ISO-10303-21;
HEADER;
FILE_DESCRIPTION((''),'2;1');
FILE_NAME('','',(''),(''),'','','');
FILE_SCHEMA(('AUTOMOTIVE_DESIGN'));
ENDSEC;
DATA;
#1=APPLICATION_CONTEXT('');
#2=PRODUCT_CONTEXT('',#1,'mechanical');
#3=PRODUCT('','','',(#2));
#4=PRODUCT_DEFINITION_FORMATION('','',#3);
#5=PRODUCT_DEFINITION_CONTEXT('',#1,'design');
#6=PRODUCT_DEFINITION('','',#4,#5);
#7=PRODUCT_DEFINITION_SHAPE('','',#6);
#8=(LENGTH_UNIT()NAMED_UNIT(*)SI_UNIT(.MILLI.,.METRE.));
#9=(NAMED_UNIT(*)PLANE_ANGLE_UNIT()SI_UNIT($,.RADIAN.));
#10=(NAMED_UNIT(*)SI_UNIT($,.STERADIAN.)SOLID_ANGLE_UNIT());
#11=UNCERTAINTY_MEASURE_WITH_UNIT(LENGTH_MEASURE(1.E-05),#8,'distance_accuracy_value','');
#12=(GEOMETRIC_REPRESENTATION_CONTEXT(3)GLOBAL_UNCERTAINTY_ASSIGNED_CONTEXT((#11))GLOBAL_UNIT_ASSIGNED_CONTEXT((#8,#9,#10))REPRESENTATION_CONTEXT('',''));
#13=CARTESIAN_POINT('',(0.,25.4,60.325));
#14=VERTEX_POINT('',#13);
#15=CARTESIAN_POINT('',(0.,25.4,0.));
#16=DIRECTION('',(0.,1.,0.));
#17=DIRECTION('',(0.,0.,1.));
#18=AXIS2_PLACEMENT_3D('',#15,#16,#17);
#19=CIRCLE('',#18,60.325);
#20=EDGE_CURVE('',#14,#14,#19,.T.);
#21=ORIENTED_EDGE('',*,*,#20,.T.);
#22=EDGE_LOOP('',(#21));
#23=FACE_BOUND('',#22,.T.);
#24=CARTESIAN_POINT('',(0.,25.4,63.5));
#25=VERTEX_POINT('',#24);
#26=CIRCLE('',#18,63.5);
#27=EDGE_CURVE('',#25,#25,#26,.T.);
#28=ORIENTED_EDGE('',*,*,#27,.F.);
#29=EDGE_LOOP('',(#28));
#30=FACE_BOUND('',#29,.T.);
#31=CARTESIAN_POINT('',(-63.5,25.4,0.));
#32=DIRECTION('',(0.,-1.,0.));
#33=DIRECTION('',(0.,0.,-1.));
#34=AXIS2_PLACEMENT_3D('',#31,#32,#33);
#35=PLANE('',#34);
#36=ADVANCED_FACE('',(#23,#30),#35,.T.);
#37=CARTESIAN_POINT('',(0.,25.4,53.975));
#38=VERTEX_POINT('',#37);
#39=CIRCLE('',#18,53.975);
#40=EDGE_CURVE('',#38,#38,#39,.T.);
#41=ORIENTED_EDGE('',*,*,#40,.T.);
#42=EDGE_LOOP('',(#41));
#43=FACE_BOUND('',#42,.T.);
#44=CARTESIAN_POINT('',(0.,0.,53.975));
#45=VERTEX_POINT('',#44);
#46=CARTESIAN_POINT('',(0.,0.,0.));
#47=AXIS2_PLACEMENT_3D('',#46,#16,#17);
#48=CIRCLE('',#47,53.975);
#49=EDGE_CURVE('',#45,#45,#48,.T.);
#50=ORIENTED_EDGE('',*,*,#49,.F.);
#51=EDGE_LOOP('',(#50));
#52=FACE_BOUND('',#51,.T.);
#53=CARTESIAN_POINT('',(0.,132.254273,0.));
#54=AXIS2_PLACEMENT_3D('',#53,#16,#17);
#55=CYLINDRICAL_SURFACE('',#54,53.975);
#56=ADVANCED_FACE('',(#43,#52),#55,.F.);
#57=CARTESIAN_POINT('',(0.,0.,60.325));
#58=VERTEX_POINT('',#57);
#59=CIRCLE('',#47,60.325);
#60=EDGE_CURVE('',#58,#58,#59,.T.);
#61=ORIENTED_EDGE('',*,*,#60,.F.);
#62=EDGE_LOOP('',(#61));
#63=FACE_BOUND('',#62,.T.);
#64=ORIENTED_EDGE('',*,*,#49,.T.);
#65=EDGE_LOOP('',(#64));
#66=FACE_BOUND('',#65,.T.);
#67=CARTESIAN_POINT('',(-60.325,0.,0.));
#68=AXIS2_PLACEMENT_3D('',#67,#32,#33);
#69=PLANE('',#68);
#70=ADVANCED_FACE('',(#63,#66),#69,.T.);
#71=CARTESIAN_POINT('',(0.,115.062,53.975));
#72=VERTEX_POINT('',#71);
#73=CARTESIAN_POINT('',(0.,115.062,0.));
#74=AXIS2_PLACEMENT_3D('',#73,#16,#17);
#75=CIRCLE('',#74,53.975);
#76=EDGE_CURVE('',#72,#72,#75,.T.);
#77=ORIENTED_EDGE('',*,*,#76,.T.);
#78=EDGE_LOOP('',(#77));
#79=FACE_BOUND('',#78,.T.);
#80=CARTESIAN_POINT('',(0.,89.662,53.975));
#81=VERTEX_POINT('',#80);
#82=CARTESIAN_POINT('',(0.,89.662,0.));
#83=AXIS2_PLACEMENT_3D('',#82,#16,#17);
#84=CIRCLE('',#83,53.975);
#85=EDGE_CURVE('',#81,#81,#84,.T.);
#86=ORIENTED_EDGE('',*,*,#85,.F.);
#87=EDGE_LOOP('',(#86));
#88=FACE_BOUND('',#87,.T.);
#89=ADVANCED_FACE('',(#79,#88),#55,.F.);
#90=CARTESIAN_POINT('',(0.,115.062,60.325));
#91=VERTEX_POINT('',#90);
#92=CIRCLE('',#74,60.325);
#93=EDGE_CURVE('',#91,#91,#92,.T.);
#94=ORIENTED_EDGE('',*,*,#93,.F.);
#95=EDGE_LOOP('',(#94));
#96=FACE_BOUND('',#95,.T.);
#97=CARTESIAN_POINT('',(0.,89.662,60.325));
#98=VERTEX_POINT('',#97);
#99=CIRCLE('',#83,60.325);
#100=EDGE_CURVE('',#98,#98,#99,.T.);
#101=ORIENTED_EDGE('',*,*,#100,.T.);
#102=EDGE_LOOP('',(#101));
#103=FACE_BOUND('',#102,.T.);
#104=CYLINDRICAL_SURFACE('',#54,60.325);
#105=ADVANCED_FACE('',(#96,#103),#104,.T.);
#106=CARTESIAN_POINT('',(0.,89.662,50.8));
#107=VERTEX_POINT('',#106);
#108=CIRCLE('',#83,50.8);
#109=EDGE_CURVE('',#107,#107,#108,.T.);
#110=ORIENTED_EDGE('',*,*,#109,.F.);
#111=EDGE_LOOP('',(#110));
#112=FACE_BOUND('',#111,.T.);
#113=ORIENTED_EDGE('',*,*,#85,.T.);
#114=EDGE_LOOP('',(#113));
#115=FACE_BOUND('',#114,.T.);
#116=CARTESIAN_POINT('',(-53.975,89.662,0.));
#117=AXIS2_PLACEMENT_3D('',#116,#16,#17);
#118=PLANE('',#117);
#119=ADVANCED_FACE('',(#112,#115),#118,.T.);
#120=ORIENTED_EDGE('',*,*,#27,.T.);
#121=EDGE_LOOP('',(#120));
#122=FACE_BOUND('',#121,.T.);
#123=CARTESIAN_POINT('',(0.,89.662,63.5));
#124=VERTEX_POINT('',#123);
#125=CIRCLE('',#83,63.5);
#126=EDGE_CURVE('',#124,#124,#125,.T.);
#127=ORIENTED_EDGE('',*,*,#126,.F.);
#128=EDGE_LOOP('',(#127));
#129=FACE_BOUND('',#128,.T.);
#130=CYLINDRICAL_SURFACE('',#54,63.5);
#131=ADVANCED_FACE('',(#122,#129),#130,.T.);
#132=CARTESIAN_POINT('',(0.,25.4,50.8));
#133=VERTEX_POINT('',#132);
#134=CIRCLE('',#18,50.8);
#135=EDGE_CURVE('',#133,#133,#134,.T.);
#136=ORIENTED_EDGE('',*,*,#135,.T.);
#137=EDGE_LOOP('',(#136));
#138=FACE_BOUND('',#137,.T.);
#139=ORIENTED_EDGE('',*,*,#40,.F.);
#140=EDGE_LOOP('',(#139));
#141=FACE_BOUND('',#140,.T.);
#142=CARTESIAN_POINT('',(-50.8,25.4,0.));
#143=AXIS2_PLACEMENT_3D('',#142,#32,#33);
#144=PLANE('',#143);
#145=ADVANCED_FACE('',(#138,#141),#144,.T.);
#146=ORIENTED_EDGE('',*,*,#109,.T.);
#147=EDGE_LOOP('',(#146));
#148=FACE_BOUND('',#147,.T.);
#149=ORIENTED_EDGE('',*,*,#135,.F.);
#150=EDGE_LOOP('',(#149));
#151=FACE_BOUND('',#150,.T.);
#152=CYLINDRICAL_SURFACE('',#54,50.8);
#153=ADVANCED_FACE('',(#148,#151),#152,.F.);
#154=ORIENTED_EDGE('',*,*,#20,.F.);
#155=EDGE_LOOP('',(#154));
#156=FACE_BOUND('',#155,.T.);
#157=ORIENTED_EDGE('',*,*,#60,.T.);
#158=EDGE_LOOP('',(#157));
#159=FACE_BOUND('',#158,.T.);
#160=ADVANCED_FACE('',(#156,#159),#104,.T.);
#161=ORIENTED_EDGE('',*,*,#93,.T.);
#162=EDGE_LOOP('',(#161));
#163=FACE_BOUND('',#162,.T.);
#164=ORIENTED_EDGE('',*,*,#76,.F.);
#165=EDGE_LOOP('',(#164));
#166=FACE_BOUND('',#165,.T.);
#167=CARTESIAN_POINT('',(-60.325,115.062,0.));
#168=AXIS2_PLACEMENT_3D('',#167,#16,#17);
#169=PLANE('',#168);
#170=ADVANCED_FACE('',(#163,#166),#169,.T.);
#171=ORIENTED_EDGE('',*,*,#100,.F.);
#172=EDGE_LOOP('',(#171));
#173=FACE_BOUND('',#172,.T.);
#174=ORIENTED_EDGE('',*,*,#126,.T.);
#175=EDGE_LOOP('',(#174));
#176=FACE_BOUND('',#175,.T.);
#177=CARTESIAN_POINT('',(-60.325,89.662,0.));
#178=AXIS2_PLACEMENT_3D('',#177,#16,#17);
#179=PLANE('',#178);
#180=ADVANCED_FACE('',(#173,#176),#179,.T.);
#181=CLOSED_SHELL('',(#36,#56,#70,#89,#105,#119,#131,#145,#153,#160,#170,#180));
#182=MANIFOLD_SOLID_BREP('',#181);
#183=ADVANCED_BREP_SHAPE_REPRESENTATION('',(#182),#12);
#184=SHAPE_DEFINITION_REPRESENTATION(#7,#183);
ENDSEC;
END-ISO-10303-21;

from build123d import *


with BuildPart() as part:
    # Sketch1 → Revolve1 (revolve)
    with BuildSketch(Plane.XY):
        Polygon((-60.325, 0), (-53.975, 0), (-53.975, 25.4), (-50.8, 25.4), (-50.8, 89.662), (-53.975, 89.662), (-53.975, 115.062), (-60.325, 115.062), (-60.325, 89.662), (-63.5, 89.662), (-63.5, 25.4), (-60.325, 25.4), align=None)
    revolve(axis=Axis((0, 132.254272853, 0), (0, -1, 0)))


solid = part.part
